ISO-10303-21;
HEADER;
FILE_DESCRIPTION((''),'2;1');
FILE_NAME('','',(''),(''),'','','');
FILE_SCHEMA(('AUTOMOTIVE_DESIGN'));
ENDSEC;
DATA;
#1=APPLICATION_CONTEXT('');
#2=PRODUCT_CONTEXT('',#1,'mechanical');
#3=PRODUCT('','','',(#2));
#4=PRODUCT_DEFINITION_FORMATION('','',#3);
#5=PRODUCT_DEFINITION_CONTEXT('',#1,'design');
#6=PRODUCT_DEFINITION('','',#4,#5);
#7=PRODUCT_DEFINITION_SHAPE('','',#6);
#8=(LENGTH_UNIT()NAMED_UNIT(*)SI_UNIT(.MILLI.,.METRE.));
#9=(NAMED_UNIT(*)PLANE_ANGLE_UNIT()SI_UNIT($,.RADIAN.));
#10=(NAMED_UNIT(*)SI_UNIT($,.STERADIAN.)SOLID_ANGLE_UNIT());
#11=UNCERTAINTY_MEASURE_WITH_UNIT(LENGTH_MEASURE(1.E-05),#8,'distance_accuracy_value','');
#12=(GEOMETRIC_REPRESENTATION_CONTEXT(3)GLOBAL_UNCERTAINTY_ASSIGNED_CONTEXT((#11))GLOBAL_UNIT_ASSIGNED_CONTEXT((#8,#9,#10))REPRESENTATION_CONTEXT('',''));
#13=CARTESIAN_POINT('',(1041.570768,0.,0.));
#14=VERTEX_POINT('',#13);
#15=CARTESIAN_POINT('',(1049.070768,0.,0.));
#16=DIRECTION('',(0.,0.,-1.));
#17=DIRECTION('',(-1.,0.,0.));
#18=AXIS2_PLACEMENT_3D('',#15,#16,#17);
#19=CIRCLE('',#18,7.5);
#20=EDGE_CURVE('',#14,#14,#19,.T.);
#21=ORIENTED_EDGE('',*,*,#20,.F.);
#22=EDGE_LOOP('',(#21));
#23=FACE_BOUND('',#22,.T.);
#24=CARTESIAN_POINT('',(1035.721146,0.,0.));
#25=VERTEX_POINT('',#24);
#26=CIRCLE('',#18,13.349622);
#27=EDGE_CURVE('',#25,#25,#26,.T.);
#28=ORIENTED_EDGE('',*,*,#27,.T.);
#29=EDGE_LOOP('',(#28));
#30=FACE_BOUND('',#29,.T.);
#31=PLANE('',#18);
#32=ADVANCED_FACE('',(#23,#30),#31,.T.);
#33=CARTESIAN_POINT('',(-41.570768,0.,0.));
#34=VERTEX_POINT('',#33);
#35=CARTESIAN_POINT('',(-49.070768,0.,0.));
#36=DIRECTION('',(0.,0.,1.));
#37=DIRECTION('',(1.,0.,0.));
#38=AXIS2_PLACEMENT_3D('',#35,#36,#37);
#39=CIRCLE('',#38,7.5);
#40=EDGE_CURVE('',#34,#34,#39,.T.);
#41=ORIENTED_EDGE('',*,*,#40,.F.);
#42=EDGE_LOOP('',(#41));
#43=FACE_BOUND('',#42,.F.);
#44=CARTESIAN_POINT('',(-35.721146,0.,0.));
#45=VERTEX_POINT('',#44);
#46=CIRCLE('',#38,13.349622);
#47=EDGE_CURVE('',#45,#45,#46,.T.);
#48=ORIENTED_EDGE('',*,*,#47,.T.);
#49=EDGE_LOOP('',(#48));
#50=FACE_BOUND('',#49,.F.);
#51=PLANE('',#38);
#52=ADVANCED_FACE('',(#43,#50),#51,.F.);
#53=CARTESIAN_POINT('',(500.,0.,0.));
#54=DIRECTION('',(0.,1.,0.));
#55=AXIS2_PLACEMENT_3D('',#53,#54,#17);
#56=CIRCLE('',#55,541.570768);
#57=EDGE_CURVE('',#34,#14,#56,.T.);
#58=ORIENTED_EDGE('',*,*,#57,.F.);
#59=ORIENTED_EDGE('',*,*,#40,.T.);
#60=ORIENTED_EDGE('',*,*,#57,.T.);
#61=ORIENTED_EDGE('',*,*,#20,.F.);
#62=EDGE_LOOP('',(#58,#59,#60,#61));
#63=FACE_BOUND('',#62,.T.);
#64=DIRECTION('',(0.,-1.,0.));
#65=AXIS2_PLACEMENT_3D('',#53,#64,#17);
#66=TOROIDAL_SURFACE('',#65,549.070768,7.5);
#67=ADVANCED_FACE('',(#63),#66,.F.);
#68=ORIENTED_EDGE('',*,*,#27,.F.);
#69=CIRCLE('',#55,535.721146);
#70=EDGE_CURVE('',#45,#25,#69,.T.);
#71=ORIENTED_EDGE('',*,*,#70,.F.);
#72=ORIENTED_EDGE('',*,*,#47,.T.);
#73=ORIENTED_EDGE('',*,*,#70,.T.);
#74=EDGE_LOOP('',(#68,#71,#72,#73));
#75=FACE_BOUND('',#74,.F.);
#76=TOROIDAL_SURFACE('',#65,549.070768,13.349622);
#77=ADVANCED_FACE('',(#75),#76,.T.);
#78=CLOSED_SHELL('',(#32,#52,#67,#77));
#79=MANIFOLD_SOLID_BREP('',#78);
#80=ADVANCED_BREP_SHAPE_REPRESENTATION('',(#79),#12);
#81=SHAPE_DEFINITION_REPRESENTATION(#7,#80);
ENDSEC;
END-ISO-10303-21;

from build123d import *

# Parameters (mm, degrees)
F0_R     = 13.349622
F0_R_2   = 7.5
F1_ANGLE = -180


with BuildPart() as f1:
    # F0 (on Top) → F1 (revolve)
    with BuildSketch(Plane.XY):
        with Locations((-49.070768, 0)):
            Circle(F0_R)
        with Locations((-49.070768, 0)):
            Circle(F0_R_2, mode=Mode.SUBTRACT)
    revolve(axis=Axis((500, 6.12022, 0), (0, -1, 0)), revolution_arc=F1_ANGLE)


solid = f1.part
